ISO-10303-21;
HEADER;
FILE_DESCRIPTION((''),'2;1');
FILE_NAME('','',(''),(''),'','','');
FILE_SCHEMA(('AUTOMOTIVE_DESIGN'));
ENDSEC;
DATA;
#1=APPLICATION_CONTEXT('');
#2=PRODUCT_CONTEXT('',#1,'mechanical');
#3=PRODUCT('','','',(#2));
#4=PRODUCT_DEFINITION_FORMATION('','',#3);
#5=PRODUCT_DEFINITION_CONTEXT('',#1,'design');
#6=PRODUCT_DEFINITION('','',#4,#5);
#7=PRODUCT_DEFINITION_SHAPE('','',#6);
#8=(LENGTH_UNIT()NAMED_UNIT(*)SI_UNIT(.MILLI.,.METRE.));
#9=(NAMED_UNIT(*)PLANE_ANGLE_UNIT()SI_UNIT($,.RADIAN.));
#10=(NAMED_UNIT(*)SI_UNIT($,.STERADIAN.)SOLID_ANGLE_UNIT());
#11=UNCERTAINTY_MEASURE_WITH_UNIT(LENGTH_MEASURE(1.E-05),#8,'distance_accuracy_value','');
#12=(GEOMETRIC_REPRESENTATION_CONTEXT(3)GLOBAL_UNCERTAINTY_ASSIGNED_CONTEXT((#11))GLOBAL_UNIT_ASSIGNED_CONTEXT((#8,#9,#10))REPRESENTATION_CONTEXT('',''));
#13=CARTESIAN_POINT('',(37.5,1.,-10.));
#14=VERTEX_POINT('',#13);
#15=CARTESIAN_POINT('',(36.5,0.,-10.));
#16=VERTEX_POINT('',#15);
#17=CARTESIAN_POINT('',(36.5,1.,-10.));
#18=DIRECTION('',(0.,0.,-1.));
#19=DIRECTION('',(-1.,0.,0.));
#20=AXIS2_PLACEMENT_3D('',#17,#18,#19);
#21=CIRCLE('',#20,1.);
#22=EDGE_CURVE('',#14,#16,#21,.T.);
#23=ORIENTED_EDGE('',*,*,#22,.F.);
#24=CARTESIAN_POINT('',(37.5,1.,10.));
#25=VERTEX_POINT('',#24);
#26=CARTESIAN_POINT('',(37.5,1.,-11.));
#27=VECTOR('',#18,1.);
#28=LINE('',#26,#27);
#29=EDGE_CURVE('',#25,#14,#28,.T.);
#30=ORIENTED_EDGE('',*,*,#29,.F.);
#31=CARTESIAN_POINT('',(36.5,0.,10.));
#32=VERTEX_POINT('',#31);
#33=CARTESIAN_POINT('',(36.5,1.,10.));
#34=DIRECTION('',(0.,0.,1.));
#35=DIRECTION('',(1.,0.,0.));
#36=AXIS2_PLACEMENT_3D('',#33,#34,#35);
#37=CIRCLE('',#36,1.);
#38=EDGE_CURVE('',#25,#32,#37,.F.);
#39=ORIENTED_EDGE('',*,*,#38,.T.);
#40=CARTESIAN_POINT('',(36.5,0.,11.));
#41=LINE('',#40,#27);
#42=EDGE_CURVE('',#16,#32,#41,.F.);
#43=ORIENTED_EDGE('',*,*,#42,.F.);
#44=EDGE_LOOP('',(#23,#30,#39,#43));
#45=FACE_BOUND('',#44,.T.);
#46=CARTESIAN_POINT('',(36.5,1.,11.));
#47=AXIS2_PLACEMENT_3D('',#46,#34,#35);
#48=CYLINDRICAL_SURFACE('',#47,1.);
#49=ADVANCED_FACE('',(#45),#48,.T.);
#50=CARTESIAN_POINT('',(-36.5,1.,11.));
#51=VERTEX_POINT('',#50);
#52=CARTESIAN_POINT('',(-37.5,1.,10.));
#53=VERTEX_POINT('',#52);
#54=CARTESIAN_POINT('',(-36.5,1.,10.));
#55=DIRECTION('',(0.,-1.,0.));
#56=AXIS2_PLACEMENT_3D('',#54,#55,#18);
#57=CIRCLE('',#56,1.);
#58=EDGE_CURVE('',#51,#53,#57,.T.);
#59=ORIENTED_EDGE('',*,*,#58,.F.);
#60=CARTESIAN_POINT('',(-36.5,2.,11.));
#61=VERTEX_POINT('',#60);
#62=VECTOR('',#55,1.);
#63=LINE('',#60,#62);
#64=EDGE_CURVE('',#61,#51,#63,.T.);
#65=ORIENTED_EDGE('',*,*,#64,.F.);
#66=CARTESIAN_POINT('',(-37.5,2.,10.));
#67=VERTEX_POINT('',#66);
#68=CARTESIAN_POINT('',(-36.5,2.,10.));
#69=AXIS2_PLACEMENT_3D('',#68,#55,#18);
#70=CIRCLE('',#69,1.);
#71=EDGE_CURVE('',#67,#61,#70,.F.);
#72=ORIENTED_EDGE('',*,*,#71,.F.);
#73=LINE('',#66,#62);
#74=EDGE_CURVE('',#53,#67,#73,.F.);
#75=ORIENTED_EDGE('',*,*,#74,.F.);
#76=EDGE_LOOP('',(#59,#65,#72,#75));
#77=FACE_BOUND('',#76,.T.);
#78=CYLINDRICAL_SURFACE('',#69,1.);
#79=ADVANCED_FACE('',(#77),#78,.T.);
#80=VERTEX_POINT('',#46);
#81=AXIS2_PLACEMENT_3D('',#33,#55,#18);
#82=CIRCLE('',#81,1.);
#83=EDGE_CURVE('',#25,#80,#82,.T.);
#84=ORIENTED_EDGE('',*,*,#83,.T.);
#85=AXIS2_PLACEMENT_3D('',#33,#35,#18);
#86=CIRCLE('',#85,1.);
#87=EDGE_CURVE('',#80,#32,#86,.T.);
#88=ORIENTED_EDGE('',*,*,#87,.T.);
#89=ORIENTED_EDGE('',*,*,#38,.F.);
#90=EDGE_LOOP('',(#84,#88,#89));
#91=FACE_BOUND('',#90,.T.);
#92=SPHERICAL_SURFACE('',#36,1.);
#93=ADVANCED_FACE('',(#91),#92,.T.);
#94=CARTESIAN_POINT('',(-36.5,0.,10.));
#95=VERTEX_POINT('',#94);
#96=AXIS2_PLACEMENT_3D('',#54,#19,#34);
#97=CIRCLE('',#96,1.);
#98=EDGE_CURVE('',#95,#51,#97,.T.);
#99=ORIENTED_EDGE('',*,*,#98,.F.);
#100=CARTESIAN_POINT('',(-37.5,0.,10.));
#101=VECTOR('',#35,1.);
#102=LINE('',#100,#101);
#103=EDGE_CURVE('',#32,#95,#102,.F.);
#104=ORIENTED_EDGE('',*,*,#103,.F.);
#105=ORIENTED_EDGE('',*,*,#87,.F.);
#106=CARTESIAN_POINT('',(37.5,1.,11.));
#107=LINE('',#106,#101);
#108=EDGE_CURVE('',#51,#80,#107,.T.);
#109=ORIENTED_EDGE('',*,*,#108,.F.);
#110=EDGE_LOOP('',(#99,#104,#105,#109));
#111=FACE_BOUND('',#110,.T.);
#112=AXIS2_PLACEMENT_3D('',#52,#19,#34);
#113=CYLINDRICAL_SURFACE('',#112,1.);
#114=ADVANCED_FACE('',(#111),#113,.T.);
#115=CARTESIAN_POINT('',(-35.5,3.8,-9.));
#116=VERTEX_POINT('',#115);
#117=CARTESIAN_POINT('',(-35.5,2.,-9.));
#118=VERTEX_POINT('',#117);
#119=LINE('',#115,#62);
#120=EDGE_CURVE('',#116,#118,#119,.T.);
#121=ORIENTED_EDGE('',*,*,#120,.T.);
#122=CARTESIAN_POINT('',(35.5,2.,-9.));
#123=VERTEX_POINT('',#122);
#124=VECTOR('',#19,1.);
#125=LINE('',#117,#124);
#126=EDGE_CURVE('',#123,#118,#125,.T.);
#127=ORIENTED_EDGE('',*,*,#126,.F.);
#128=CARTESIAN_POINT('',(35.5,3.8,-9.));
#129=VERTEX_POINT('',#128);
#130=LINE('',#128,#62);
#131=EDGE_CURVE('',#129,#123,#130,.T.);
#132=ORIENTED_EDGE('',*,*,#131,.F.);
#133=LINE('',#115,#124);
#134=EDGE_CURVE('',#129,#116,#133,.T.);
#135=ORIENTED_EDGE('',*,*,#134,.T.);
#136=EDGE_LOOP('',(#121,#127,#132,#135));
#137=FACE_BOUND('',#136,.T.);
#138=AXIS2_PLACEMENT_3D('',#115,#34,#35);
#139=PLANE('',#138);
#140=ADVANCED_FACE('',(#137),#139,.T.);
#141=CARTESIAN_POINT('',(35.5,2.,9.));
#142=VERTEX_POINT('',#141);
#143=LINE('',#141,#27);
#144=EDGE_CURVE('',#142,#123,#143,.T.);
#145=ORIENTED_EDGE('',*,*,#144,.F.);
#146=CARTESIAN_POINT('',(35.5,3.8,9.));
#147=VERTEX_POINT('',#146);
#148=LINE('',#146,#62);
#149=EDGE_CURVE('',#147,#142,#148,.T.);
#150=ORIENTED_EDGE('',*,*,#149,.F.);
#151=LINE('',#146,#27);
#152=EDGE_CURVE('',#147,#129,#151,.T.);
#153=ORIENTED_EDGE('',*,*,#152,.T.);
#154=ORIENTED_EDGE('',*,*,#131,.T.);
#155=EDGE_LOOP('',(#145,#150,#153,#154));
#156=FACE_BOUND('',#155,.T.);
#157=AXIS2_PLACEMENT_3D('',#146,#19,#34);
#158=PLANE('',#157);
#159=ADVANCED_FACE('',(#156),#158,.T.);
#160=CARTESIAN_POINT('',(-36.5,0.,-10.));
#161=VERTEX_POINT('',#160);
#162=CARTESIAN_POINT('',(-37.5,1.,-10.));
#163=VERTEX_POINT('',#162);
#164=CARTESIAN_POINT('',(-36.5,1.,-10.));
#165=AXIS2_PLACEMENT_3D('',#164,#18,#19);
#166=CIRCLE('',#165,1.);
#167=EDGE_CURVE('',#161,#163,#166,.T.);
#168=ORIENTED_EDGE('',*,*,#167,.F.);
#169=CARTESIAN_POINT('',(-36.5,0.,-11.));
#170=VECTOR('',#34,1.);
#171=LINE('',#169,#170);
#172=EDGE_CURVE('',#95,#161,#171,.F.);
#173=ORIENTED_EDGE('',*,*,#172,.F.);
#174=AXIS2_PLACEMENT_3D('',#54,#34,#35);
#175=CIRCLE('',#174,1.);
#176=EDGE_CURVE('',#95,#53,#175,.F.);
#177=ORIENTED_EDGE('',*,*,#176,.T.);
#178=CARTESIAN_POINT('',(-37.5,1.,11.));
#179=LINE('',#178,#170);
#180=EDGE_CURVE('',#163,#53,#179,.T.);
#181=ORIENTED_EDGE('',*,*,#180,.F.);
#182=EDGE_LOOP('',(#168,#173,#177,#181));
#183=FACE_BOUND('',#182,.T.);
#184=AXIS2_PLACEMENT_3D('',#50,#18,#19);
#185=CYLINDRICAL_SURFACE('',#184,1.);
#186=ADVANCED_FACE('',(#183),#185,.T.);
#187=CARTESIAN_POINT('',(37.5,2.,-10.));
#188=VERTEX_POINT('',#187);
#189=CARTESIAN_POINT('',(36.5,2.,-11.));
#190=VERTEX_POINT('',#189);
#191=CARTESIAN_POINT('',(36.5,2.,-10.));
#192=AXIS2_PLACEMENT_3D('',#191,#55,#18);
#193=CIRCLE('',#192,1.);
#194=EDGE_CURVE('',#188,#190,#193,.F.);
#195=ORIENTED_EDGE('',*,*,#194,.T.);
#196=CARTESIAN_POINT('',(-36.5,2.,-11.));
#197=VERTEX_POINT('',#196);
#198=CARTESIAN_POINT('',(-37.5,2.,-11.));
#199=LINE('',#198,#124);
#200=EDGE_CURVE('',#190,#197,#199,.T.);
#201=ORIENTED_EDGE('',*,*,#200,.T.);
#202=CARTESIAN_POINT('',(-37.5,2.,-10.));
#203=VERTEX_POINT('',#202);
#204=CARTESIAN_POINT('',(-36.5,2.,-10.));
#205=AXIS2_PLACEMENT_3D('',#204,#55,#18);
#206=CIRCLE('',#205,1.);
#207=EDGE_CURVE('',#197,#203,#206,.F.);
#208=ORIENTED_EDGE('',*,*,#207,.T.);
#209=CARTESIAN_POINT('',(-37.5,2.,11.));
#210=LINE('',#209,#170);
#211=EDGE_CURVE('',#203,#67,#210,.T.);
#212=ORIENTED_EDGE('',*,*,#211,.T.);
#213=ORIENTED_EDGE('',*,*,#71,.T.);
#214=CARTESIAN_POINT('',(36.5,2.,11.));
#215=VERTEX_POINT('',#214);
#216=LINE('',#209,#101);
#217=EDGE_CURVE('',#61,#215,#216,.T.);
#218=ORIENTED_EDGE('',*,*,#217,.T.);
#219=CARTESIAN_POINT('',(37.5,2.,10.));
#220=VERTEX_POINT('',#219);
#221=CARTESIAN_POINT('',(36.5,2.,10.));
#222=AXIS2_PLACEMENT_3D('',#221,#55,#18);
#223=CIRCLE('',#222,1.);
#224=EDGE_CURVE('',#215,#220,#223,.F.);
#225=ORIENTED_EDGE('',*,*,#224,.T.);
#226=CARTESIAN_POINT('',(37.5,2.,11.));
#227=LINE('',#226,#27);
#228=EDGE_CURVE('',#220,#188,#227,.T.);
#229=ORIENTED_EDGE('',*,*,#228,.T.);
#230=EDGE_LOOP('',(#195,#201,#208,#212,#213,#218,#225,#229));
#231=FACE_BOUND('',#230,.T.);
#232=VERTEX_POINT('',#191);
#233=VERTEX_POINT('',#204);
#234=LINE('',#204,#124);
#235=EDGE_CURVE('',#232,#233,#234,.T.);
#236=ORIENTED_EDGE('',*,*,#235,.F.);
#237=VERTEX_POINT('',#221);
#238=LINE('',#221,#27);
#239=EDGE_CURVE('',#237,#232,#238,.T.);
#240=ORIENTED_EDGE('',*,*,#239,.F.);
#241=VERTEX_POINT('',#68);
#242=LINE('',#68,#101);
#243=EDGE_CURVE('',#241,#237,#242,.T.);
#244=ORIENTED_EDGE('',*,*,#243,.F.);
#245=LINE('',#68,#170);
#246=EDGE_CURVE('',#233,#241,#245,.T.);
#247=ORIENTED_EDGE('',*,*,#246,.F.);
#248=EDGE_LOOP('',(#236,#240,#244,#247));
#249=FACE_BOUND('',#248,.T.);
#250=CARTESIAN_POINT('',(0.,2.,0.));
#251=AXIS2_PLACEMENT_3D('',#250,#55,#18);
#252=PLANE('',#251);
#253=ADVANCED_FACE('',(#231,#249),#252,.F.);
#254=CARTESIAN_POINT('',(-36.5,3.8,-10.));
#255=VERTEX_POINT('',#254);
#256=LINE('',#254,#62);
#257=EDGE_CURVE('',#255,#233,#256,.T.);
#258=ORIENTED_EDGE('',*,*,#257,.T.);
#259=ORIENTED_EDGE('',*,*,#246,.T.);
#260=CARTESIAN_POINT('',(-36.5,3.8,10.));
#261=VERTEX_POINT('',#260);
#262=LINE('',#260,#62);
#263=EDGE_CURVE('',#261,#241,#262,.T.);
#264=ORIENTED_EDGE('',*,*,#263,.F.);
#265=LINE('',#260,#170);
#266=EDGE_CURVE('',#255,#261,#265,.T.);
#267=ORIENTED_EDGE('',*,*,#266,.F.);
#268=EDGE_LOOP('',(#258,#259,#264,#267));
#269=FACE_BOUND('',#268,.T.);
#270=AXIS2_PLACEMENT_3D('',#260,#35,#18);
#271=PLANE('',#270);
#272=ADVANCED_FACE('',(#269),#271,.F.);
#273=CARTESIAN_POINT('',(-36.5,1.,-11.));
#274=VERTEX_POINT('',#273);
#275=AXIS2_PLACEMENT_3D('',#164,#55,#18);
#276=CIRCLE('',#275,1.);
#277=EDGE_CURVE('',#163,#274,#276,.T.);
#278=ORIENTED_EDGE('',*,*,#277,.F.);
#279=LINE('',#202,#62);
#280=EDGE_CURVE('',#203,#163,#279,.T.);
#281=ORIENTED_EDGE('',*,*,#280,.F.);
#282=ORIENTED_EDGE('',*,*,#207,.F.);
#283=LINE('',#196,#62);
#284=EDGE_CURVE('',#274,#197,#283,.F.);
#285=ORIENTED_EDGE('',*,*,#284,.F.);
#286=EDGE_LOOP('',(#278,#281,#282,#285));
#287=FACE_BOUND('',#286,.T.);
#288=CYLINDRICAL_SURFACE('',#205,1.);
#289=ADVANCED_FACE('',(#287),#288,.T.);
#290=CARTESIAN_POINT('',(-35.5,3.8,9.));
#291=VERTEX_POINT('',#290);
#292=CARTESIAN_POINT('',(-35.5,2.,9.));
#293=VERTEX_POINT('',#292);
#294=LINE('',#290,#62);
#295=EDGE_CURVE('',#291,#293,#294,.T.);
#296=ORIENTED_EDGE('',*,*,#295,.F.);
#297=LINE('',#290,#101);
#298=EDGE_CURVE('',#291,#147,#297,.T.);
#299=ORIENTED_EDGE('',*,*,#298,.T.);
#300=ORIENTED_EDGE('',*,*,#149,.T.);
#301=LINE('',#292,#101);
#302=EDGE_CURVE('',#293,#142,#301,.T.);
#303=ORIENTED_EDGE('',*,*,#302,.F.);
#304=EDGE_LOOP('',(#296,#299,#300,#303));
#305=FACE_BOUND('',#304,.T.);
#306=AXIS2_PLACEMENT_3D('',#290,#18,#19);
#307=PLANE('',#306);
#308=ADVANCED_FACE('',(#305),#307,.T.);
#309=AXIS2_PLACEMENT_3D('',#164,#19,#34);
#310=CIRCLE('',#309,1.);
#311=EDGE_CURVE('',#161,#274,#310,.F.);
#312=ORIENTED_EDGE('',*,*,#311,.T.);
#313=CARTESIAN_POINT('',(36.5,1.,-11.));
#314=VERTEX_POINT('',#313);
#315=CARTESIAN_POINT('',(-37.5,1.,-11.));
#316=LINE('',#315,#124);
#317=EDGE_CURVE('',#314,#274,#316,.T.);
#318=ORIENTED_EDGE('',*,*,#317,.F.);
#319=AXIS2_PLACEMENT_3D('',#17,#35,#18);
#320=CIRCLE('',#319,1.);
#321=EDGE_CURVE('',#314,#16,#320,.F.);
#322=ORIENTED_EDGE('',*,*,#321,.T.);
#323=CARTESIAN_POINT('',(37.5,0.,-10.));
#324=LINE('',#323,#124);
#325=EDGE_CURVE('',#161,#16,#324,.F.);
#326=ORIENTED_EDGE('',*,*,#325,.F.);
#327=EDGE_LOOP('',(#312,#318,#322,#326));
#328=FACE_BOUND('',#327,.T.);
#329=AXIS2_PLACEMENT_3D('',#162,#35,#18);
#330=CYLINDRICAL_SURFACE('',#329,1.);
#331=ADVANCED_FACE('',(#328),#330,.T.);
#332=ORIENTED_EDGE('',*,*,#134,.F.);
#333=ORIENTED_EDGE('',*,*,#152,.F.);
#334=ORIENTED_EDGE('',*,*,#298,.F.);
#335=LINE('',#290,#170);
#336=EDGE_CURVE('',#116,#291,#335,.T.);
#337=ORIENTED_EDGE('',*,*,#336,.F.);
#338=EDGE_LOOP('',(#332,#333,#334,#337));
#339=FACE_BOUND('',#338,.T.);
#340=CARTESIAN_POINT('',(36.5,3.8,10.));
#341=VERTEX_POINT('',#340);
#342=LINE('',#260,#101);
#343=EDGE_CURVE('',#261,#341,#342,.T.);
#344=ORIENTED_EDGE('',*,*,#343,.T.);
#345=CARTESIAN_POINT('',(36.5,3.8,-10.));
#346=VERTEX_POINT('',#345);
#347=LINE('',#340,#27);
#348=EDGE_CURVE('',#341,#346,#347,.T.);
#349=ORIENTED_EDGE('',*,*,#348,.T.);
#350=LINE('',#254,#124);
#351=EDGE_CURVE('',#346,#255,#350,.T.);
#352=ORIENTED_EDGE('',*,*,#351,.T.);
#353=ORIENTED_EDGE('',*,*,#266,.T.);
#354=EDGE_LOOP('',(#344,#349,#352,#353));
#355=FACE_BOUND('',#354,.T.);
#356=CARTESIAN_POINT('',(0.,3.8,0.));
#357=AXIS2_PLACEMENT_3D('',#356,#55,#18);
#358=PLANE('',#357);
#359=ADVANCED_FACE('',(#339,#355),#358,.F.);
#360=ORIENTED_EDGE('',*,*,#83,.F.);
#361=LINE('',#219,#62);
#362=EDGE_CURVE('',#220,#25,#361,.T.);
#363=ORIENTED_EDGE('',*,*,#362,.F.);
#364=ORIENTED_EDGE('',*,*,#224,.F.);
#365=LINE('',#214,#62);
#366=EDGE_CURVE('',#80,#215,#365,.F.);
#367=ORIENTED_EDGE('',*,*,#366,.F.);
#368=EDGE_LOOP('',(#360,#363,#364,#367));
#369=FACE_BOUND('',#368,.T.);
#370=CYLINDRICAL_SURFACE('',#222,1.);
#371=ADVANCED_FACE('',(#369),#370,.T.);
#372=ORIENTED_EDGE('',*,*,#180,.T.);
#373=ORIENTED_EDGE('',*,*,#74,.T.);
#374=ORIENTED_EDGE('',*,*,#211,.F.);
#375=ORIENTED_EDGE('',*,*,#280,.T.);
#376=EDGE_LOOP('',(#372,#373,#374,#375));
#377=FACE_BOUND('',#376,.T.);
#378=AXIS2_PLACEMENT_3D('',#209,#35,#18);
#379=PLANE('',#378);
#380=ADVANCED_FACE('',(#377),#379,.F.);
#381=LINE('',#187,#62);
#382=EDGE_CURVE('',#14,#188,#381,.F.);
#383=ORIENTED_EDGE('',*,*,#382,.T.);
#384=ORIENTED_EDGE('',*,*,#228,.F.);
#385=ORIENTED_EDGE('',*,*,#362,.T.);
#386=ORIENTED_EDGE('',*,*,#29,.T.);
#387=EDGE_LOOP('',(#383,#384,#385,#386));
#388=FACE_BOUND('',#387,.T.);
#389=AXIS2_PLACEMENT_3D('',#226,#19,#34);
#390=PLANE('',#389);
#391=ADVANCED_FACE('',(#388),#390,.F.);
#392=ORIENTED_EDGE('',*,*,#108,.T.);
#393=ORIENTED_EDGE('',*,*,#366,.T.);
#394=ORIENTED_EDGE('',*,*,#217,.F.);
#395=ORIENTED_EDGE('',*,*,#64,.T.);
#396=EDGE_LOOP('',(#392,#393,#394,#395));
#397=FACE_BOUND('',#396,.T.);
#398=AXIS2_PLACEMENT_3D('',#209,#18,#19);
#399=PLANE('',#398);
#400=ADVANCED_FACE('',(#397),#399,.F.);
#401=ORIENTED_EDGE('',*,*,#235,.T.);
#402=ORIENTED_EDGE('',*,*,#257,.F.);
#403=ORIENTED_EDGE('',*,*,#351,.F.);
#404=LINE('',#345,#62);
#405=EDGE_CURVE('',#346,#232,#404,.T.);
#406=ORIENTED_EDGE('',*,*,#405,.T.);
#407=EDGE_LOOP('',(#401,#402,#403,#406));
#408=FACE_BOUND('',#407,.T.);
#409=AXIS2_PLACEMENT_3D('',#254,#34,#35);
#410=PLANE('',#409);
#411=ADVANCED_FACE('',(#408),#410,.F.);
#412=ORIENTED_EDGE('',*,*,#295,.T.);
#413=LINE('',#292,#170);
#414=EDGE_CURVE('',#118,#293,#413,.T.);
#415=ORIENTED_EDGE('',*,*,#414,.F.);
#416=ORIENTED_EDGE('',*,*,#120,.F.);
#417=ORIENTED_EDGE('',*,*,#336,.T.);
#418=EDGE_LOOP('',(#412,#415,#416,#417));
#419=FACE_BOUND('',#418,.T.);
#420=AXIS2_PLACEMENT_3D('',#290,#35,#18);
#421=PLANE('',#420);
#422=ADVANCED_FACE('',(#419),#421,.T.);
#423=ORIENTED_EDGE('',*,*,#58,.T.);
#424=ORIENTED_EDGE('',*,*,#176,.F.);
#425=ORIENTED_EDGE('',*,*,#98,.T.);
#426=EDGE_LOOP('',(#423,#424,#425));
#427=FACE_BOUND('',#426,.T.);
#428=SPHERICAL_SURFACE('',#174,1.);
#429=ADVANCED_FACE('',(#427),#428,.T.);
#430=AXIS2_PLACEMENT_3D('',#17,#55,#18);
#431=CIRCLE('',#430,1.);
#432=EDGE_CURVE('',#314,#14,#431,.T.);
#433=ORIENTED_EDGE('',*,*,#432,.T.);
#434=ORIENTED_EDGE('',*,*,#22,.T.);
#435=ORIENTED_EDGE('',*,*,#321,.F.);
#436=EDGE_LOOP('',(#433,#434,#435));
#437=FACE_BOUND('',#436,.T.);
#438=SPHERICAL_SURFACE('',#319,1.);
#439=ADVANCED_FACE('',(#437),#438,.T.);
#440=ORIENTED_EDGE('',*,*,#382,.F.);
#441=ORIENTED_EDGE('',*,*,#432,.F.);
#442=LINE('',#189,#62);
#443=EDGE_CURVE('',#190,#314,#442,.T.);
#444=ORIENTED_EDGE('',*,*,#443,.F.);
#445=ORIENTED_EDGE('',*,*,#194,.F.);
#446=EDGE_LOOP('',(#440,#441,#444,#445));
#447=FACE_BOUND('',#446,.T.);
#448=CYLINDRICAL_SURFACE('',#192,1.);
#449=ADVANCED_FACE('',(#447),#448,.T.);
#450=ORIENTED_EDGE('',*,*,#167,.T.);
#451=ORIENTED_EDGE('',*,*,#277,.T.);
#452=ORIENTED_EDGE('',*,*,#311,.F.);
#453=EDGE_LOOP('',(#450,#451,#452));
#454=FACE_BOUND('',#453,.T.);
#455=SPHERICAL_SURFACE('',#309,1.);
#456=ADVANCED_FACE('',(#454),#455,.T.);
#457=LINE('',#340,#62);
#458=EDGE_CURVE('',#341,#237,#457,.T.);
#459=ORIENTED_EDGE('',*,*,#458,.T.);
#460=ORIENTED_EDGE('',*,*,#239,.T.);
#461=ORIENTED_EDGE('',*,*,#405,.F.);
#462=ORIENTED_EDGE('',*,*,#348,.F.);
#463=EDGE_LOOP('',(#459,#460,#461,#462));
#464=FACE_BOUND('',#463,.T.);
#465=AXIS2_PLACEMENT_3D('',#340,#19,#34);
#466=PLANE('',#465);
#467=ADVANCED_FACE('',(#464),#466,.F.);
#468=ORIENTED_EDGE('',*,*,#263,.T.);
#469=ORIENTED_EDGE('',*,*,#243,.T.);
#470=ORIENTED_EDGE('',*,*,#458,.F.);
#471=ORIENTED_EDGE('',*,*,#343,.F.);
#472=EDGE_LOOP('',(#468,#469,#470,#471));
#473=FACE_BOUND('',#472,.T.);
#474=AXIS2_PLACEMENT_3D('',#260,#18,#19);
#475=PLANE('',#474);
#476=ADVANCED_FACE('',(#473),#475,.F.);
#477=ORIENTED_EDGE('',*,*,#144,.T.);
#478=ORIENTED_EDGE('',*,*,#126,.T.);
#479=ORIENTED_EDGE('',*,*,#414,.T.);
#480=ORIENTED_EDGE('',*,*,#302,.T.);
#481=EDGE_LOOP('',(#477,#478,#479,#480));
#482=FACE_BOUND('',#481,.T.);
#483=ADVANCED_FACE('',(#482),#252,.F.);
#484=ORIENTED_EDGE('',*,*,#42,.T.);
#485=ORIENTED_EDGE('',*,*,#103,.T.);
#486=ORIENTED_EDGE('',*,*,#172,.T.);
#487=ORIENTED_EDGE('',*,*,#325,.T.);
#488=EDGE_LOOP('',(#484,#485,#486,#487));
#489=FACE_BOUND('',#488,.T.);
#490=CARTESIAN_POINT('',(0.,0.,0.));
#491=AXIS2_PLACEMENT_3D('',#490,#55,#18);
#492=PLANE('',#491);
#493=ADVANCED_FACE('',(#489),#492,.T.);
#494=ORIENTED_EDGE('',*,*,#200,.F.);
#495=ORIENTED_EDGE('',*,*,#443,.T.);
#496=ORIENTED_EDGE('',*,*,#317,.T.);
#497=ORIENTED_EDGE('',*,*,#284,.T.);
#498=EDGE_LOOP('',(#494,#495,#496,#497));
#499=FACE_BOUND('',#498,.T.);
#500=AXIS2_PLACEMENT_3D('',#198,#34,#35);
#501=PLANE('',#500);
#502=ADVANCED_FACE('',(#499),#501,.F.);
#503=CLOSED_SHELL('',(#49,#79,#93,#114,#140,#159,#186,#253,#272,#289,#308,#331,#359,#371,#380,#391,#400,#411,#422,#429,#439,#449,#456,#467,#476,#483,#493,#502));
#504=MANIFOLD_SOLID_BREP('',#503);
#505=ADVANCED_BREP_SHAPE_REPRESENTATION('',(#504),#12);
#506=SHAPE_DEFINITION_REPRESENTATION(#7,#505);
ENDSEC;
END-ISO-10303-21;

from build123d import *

# Parameters (mm, degrees)
SKETCH1_W           = 75
SKETCH1_H           = 22
BOSS_EXTRUDE1_DEPTH = 2
SKETCH2_W           = 73
SKETCH2_H           = 20
SKETCH2_W_2         = 71
SKETCH2_H_2         = 18
BOSS_EXTRUDE2_DEPTH = 1.8
FILLET2_R           = 1


with BuildPart() as part:
    # Sketch1 → Boss-Extrude1 (new body)
    with BuildSketch(Plane(origin=(0, 0, 0), x_dir=(1, 0, 0), z_dir=(0, 1, 0))):
        Rectangle(SKETCH1_W, SKETCH1_H)
    extrude(amount=BOSS_EXTRUDE1_DEPTH)

    # Sketch2 → Boss-Extrude2 (add)
    with BuildSketch(Plane(origin=(0, 2, 0), x_dir=(1, 0, 0), z_dir=(0, 1, 0))):
        Rectangle(SKETCH2_W, SKETCH2_H)
        Rectangle(SKETCH2_W_2, SKETCH2_H_2, mode=Mode.SUBTRACT)
    extrude(amount=BOSS_EXTRUDE2_DEPTH)

    # Fillet2
    fillet2_edges = [part.edges().sort_by_distance(p)[0] for p in [
        (0, 0, 11),
        (-37.5, 0, 0),
        (0, 0, -11),
        (37.5, 0, 0),
        (37.5, 1, 11),
        (-37.5, 1, 11),
        (-37.5, 1, -11),
        (37.5, 1, -11),
    ]]
    fillet(fillet2_edges, radius=FILLET2_R)


solid = part.part
